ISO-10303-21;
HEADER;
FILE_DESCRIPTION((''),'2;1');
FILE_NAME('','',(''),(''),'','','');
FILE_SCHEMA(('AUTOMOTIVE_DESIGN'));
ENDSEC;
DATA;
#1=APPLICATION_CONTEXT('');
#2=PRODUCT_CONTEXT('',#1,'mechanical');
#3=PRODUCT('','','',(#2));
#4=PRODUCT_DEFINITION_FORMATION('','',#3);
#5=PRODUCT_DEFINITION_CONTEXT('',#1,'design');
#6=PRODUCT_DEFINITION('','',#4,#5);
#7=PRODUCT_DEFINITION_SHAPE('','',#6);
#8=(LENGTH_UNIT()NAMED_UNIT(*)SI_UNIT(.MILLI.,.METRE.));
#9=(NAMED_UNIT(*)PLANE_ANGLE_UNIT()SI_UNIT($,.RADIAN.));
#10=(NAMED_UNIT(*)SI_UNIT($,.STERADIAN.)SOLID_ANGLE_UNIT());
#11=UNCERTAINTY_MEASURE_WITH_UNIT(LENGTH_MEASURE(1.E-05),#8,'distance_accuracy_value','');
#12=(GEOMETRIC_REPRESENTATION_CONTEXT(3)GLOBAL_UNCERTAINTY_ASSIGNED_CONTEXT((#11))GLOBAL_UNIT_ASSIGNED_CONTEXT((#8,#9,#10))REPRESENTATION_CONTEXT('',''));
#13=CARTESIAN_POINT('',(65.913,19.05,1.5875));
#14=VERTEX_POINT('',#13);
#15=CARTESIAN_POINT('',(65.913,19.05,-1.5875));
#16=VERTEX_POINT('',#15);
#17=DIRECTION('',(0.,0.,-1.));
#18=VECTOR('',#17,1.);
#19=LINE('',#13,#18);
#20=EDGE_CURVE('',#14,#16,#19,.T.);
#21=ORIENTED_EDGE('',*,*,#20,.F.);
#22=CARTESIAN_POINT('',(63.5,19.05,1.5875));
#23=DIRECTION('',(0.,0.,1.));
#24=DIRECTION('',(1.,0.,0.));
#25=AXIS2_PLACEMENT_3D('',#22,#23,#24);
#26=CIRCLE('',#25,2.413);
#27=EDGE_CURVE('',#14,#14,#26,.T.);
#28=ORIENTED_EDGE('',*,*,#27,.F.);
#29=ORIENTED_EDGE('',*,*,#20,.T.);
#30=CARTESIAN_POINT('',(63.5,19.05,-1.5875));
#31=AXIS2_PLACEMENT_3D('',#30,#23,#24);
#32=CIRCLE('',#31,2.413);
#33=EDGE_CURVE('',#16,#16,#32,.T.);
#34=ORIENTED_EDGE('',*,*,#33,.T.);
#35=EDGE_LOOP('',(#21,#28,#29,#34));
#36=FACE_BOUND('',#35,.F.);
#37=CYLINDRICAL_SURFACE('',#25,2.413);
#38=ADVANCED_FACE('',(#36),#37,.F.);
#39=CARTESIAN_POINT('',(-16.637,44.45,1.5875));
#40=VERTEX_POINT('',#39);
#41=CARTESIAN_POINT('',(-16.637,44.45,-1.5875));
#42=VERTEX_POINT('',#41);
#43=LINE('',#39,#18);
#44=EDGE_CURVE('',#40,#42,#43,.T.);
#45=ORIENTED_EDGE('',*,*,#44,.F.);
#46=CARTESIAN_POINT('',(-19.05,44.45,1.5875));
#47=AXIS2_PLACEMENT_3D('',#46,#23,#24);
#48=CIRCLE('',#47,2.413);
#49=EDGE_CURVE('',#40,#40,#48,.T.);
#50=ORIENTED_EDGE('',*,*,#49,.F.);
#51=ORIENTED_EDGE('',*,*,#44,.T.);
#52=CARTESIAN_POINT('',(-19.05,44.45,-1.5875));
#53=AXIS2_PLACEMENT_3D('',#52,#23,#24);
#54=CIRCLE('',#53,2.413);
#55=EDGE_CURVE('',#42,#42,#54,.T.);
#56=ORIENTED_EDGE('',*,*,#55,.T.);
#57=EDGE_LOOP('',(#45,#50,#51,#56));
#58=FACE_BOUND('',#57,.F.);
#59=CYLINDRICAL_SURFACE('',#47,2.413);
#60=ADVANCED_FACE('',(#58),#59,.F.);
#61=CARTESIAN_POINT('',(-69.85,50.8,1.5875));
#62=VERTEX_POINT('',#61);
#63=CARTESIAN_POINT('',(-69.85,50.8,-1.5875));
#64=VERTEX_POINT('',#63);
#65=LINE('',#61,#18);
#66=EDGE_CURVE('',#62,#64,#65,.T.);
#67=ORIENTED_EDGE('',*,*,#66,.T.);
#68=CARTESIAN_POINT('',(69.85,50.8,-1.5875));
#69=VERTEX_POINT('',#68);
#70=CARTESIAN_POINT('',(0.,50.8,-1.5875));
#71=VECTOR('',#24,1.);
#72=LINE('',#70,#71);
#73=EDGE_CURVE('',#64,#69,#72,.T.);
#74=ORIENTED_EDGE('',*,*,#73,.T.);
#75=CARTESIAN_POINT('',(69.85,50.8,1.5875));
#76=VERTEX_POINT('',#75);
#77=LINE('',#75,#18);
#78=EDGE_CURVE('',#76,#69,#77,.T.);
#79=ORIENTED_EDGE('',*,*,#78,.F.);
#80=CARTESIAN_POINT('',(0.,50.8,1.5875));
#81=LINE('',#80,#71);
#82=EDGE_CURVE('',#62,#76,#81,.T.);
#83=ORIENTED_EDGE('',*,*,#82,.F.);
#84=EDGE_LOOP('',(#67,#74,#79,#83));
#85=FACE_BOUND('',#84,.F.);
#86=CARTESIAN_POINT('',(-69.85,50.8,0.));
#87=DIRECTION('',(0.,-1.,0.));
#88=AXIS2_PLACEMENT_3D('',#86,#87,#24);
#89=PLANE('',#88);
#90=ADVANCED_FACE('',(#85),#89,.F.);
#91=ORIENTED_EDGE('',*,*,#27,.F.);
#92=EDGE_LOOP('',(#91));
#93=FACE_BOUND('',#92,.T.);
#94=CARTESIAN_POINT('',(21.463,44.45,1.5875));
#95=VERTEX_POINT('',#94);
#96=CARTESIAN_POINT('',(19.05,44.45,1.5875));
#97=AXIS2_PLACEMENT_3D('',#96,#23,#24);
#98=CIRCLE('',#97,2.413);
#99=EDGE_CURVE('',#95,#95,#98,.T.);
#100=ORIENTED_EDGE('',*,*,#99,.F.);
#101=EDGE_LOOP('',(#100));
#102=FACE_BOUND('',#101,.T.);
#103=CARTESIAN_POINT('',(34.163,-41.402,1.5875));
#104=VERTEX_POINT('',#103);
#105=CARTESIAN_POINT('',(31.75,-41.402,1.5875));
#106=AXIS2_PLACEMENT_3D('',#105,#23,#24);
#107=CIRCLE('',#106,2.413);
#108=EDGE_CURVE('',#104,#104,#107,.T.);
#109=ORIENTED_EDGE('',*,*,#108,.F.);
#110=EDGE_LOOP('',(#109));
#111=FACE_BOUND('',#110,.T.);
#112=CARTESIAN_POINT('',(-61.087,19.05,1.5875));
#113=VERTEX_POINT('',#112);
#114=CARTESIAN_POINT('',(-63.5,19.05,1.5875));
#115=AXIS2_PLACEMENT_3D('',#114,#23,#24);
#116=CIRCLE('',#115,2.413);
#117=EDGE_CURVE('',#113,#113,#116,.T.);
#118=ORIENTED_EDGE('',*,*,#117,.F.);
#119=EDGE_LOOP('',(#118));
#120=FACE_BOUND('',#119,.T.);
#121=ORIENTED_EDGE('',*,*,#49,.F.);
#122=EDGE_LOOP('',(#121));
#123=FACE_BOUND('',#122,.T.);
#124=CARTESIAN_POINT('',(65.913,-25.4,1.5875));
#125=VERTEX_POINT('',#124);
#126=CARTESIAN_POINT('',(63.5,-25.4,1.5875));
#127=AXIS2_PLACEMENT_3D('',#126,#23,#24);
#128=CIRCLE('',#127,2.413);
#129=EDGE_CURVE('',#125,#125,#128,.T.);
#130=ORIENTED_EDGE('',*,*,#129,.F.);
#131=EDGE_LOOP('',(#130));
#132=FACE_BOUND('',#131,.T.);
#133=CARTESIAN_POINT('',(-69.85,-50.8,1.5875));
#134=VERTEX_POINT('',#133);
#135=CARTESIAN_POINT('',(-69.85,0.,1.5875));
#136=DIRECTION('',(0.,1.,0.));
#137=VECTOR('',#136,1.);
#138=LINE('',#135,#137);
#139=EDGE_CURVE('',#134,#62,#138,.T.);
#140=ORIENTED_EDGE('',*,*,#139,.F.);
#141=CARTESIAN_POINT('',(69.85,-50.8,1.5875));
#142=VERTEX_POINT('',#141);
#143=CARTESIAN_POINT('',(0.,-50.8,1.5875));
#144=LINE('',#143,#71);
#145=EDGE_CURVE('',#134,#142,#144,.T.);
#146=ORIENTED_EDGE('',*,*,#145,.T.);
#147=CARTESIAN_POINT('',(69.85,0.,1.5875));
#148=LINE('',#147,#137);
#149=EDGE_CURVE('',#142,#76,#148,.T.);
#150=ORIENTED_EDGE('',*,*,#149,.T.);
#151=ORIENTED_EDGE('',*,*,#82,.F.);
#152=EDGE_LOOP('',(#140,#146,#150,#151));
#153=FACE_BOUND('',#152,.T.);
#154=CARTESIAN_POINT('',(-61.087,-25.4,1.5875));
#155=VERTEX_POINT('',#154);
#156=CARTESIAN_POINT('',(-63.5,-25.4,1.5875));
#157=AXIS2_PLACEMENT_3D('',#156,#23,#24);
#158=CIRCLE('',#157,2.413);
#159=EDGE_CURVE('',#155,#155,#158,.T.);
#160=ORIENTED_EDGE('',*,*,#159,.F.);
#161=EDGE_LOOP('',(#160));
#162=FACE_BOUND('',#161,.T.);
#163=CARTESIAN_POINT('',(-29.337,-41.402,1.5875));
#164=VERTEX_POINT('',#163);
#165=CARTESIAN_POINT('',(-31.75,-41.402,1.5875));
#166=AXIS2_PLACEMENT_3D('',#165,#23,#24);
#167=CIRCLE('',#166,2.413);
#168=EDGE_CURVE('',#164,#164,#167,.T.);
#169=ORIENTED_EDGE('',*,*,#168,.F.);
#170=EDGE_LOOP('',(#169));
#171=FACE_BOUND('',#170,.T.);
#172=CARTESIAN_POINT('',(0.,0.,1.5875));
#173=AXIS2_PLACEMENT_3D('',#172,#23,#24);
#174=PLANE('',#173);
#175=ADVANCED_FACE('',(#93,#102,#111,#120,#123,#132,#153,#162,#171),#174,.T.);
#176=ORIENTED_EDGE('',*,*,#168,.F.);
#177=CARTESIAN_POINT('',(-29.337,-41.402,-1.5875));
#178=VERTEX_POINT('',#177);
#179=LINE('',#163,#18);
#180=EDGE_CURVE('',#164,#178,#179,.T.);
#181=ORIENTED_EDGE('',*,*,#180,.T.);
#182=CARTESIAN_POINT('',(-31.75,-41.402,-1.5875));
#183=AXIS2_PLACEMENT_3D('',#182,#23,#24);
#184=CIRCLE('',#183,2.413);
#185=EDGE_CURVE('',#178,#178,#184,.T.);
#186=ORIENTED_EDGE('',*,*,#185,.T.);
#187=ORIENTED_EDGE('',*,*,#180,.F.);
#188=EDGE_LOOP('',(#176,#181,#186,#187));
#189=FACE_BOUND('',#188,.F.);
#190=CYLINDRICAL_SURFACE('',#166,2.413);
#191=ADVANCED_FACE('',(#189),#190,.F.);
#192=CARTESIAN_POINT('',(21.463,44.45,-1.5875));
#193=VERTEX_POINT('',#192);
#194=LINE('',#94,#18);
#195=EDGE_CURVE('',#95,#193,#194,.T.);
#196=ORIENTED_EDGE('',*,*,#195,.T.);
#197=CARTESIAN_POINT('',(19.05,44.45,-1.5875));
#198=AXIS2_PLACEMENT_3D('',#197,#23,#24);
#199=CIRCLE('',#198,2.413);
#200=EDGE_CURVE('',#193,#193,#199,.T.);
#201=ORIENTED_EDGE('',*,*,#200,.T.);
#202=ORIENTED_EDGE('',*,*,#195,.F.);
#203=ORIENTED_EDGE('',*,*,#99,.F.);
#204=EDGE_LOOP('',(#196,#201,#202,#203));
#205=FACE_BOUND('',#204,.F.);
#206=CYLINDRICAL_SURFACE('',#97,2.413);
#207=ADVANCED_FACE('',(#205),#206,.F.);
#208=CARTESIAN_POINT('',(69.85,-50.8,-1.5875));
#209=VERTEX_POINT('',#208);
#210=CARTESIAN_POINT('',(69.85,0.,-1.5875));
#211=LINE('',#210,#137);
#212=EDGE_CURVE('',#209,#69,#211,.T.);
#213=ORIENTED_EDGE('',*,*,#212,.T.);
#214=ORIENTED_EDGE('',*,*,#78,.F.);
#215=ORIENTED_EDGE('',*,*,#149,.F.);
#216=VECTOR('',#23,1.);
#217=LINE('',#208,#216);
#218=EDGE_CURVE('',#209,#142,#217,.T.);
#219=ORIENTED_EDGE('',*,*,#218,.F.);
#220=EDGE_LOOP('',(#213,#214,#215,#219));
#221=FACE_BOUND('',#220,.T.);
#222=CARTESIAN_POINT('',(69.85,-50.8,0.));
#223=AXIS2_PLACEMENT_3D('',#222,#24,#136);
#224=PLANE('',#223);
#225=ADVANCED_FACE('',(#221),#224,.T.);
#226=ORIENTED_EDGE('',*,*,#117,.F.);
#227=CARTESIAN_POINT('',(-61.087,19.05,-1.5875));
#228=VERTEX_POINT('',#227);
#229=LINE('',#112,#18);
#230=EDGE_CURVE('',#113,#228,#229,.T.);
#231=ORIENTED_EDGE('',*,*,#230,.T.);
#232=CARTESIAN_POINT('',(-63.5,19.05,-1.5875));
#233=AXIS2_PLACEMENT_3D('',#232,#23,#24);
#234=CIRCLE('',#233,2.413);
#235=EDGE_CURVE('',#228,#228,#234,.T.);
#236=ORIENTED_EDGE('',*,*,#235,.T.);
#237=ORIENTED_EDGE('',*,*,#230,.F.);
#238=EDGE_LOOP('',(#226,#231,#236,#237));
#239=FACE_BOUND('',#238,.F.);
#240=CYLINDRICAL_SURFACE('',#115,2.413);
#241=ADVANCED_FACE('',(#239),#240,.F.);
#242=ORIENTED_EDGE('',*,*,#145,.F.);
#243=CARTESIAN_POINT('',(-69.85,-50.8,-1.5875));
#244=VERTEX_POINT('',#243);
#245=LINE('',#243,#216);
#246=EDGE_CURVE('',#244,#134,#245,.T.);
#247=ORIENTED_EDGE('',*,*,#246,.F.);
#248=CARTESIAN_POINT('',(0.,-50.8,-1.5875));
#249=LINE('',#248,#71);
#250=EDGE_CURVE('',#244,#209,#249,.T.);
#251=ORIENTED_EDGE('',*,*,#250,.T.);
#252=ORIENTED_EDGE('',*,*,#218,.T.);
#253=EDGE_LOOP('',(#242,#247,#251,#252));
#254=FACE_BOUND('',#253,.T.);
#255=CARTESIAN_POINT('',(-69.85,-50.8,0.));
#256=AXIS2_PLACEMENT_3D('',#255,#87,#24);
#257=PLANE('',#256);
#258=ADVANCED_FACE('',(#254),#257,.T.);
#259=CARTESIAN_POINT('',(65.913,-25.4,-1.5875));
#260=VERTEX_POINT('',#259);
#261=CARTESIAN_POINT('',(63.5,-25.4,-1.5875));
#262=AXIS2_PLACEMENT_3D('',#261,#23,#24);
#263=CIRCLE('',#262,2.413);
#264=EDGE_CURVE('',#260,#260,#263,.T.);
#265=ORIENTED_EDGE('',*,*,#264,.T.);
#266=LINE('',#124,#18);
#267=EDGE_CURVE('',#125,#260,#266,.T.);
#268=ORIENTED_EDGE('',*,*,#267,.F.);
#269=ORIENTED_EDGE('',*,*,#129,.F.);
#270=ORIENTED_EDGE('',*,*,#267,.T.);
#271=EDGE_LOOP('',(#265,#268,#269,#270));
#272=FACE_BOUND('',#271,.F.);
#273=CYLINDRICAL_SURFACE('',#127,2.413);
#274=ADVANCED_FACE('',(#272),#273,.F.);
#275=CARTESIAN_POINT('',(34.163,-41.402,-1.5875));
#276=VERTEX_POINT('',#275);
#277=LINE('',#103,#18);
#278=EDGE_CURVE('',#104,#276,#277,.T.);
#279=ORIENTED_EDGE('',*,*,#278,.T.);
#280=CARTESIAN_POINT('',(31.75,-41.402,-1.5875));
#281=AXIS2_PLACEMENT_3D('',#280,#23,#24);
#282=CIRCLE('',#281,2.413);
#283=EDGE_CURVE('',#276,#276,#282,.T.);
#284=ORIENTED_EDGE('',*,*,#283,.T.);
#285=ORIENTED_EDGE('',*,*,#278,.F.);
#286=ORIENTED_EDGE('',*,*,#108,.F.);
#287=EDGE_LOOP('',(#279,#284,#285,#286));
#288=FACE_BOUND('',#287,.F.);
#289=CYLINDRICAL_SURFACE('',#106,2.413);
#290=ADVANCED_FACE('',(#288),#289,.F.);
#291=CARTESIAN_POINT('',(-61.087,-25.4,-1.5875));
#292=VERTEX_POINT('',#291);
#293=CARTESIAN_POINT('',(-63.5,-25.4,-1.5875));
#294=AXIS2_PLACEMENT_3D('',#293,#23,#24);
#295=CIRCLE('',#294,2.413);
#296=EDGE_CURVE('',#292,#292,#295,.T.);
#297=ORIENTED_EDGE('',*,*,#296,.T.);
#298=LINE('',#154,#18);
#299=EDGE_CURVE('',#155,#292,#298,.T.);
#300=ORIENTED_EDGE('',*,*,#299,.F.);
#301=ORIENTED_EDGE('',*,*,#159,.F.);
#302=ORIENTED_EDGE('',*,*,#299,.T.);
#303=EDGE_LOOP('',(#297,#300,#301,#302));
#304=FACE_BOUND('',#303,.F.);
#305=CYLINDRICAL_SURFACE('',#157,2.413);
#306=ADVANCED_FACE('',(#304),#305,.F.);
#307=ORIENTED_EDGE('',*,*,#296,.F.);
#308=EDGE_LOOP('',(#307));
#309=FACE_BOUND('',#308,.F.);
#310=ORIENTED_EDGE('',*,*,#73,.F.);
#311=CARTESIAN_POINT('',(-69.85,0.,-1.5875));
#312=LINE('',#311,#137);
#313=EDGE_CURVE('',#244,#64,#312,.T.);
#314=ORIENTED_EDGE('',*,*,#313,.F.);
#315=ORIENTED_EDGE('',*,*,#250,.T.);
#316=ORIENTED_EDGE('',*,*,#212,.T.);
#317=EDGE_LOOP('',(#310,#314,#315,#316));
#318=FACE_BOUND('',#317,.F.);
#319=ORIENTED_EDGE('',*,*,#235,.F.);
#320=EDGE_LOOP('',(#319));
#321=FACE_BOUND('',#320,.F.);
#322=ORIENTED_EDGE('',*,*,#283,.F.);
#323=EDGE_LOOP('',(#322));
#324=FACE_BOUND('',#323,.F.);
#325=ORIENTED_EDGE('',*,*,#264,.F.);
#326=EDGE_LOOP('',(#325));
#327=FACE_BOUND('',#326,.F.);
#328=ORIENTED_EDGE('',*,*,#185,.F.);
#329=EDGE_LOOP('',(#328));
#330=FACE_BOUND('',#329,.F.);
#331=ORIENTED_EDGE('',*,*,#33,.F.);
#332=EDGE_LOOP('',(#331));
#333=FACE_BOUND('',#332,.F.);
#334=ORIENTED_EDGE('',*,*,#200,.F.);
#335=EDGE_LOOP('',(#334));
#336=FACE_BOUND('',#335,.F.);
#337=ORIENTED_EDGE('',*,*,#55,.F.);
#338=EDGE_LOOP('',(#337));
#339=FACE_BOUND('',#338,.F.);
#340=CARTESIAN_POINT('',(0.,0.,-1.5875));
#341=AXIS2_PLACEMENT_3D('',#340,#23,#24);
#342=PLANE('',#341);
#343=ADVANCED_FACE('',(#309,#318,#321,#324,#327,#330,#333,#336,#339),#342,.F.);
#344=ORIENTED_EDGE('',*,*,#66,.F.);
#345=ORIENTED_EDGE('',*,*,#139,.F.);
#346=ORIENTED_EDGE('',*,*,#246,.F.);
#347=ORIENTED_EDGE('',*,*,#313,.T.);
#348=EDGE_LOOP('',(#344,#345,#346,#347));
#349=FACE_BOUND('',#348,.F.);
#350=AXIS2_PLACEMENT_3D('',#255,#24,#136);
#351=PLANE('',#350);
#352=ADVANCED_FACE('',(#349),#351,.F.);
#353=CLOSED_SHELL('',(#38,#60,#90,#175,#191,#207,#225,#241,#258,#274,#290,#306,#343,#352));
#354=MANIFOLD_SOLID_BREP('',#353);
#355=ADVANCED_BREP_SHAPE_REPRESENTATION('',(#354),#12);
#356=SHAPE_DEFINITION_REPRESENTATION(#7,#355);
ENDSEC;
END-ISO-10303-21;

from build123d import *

# Parameters (mm, degrees)
F0_W     = 139.7
F0_H     = 101.6
F1_DEPTH = 1.5875
F2_R     = 2.413
F3_DEPTH = 3.175


with BuildPart() as f1:
    # F0 (on Top) → F1 (new body, symmetric)
    with BuildSketch(Plane.XY):
        Rectangle(F0_W, F0_H)
    extrude(amount=F1_DEPTH, both=True)

    # F2 (on face) → F3 (cut)
    with BuildSketch(Plane.XY.offset(1.5875)):
        with Locations((-19.05, 44.45)):
            Circle(F2_R)
        with Locations((19.05, 44.45)):
            Circle(F2_R)
        with Locations((-63.5, 19.05)):
            Circle(F2_R)
        with Locations((-63.5, -25.4)):
            Circle(F2_R)
        with Locations((63.5, 19.05)):
            Circle(F2_R)
        with Locations((63.5, -25.4)):
            Circle(F2_R)
        with Locations((-31.75, -41.402)):
            Circle(F2_R)
        with Locations((31.75, -41.402)):
            Circle(F2_R)
    extrude(amount=-F3_DEPTH, mode=Mode.SUBTRACT)


solid = f1.part
